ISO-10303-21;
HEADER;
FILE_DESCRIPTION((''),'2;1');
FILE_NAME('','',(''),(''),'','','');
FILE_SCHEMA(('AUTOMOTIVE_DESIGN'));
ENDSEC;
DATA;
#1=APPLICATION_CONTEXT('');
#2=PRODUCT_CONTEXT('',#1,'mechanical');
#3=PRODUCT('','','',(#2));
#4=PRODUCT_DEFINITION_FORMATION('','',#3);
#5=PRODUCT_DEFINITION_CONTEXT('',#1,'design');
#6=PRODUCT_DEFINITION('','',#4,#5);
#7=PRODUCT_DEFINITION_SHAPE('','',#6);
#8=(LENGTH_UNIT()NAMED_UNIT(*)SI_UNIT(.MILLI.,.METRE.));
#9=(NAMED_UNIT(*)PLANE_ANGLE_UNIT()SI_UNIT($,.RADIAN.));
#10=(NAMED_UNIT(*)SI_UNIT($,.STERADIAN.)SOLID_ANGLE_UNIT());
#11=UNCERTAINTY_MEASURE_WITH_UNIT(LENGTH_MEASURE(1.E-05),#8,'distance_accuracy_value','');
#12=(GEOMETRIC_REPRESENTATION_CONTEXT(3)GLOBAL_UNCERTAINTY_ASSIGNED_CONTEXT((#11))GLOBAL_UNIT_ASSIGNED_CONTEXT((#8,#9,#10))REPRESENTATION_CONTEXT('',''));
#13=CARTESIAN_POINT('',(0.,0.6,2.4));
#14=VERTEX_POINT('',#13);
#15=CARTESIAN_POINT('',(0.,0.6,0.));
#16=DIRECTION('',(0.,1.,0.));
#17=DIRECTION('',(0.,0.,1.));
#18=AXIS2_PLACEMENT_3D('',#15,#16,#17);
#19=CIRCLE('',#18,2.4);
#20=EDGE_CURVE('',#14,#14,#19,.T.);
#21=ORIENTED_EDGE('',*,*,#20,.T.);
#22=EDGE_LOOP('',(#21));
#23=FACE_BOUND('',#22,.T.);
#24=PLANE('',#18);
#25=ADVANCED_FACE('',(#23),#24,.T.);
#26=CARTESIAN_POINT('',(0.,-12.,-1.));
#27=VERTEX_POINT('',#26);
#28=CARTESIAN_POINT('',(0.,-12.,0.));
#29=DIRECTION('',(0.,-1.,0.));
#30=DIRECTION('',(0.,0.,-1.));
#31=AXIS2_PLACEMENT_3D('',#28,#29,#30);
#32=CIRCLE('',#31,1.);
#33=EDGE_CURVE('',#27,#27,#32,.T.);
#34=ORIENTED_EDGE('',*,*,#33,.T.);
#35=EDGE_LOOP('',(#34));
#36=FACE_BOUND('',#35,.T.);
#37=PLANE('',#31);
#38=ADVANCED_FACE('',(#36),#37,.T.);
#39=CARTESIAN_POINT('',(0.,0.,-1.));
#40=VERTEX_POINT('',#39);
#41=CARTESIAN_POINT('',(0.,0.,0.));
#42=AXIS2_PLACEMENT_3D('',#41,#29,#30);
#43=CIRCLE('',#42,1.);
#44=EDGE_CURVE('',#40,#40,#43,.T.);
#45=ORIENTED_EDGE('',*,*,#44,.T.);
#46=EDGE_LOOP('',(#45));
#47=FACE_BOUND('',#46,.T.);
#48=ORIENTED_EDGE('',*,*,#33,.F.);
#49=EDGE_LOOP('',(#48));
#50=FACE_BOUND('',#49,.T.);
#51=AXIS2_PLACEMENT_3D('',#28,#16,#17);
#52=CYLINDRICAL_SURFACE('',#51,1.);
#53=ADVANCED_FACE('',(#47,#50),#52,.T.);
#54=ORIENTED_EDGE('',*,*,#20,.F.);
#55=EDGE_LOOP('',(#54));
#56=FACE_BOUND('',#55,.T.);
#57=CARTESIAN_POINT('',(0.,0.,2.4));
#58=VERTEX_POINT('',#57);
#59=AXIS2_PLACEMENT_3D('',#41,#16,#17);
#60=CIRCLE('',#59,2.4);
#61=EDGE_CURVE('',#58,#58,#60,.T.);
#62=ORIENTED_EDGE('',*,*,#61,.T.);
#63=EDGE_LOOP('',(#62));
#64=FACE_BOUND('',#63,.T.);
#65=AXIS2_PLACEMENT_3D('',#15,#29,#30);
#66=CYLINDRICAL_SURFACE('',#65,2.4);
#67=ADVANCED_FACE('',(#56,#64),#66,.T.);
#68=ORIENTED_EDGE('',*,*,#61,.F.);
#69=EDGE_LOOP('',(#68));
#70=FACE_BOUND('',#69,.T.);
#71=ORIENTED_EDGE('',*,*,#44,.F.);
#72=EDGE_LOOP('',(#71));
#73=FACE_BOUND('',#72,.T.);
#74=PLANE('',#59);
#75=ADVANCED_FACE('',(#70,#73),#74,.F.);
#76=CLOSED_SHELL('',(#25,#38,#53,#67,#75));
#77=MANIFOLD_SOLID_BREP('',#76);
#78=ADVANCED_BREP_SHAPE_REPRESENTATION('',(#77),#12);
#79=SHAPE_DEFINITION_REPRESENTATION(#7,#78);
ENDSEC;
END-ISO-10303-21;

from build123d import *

# Parameters (mm, degrees)
SKETCH_1_R      = 2.4
EXTRUDE_1_DEPTH = 0.6
SKETCH_2_R      = 1
EXTRUDE_2_DEPTH = 12


with BuildPart() as part:
    # 草图1 → 凸台-拉伸1 (new body)
    with BuildSketch(Plane(origin=(0, 0, 0), x_dir=(1, 0, 0), z_dir=(0, 1, 0))):
        with Locations(Location((0, 0, 0), (0, 0, 270))):
            Circle(SKETCH_1_R)
    extrude(amount=EXTRUDE_1_DEPTH)

    # 草图2 → 凸台-拉伸2 (add)
    with BuildSketch(Plane.XZ):
        with Locations(Location((0, 0, 0), (0, 0, 270))):
            Circle(SKETCH_2_R)
    extrude(amount=EXTRUDE_2_DEPTH)


solid = part.part
